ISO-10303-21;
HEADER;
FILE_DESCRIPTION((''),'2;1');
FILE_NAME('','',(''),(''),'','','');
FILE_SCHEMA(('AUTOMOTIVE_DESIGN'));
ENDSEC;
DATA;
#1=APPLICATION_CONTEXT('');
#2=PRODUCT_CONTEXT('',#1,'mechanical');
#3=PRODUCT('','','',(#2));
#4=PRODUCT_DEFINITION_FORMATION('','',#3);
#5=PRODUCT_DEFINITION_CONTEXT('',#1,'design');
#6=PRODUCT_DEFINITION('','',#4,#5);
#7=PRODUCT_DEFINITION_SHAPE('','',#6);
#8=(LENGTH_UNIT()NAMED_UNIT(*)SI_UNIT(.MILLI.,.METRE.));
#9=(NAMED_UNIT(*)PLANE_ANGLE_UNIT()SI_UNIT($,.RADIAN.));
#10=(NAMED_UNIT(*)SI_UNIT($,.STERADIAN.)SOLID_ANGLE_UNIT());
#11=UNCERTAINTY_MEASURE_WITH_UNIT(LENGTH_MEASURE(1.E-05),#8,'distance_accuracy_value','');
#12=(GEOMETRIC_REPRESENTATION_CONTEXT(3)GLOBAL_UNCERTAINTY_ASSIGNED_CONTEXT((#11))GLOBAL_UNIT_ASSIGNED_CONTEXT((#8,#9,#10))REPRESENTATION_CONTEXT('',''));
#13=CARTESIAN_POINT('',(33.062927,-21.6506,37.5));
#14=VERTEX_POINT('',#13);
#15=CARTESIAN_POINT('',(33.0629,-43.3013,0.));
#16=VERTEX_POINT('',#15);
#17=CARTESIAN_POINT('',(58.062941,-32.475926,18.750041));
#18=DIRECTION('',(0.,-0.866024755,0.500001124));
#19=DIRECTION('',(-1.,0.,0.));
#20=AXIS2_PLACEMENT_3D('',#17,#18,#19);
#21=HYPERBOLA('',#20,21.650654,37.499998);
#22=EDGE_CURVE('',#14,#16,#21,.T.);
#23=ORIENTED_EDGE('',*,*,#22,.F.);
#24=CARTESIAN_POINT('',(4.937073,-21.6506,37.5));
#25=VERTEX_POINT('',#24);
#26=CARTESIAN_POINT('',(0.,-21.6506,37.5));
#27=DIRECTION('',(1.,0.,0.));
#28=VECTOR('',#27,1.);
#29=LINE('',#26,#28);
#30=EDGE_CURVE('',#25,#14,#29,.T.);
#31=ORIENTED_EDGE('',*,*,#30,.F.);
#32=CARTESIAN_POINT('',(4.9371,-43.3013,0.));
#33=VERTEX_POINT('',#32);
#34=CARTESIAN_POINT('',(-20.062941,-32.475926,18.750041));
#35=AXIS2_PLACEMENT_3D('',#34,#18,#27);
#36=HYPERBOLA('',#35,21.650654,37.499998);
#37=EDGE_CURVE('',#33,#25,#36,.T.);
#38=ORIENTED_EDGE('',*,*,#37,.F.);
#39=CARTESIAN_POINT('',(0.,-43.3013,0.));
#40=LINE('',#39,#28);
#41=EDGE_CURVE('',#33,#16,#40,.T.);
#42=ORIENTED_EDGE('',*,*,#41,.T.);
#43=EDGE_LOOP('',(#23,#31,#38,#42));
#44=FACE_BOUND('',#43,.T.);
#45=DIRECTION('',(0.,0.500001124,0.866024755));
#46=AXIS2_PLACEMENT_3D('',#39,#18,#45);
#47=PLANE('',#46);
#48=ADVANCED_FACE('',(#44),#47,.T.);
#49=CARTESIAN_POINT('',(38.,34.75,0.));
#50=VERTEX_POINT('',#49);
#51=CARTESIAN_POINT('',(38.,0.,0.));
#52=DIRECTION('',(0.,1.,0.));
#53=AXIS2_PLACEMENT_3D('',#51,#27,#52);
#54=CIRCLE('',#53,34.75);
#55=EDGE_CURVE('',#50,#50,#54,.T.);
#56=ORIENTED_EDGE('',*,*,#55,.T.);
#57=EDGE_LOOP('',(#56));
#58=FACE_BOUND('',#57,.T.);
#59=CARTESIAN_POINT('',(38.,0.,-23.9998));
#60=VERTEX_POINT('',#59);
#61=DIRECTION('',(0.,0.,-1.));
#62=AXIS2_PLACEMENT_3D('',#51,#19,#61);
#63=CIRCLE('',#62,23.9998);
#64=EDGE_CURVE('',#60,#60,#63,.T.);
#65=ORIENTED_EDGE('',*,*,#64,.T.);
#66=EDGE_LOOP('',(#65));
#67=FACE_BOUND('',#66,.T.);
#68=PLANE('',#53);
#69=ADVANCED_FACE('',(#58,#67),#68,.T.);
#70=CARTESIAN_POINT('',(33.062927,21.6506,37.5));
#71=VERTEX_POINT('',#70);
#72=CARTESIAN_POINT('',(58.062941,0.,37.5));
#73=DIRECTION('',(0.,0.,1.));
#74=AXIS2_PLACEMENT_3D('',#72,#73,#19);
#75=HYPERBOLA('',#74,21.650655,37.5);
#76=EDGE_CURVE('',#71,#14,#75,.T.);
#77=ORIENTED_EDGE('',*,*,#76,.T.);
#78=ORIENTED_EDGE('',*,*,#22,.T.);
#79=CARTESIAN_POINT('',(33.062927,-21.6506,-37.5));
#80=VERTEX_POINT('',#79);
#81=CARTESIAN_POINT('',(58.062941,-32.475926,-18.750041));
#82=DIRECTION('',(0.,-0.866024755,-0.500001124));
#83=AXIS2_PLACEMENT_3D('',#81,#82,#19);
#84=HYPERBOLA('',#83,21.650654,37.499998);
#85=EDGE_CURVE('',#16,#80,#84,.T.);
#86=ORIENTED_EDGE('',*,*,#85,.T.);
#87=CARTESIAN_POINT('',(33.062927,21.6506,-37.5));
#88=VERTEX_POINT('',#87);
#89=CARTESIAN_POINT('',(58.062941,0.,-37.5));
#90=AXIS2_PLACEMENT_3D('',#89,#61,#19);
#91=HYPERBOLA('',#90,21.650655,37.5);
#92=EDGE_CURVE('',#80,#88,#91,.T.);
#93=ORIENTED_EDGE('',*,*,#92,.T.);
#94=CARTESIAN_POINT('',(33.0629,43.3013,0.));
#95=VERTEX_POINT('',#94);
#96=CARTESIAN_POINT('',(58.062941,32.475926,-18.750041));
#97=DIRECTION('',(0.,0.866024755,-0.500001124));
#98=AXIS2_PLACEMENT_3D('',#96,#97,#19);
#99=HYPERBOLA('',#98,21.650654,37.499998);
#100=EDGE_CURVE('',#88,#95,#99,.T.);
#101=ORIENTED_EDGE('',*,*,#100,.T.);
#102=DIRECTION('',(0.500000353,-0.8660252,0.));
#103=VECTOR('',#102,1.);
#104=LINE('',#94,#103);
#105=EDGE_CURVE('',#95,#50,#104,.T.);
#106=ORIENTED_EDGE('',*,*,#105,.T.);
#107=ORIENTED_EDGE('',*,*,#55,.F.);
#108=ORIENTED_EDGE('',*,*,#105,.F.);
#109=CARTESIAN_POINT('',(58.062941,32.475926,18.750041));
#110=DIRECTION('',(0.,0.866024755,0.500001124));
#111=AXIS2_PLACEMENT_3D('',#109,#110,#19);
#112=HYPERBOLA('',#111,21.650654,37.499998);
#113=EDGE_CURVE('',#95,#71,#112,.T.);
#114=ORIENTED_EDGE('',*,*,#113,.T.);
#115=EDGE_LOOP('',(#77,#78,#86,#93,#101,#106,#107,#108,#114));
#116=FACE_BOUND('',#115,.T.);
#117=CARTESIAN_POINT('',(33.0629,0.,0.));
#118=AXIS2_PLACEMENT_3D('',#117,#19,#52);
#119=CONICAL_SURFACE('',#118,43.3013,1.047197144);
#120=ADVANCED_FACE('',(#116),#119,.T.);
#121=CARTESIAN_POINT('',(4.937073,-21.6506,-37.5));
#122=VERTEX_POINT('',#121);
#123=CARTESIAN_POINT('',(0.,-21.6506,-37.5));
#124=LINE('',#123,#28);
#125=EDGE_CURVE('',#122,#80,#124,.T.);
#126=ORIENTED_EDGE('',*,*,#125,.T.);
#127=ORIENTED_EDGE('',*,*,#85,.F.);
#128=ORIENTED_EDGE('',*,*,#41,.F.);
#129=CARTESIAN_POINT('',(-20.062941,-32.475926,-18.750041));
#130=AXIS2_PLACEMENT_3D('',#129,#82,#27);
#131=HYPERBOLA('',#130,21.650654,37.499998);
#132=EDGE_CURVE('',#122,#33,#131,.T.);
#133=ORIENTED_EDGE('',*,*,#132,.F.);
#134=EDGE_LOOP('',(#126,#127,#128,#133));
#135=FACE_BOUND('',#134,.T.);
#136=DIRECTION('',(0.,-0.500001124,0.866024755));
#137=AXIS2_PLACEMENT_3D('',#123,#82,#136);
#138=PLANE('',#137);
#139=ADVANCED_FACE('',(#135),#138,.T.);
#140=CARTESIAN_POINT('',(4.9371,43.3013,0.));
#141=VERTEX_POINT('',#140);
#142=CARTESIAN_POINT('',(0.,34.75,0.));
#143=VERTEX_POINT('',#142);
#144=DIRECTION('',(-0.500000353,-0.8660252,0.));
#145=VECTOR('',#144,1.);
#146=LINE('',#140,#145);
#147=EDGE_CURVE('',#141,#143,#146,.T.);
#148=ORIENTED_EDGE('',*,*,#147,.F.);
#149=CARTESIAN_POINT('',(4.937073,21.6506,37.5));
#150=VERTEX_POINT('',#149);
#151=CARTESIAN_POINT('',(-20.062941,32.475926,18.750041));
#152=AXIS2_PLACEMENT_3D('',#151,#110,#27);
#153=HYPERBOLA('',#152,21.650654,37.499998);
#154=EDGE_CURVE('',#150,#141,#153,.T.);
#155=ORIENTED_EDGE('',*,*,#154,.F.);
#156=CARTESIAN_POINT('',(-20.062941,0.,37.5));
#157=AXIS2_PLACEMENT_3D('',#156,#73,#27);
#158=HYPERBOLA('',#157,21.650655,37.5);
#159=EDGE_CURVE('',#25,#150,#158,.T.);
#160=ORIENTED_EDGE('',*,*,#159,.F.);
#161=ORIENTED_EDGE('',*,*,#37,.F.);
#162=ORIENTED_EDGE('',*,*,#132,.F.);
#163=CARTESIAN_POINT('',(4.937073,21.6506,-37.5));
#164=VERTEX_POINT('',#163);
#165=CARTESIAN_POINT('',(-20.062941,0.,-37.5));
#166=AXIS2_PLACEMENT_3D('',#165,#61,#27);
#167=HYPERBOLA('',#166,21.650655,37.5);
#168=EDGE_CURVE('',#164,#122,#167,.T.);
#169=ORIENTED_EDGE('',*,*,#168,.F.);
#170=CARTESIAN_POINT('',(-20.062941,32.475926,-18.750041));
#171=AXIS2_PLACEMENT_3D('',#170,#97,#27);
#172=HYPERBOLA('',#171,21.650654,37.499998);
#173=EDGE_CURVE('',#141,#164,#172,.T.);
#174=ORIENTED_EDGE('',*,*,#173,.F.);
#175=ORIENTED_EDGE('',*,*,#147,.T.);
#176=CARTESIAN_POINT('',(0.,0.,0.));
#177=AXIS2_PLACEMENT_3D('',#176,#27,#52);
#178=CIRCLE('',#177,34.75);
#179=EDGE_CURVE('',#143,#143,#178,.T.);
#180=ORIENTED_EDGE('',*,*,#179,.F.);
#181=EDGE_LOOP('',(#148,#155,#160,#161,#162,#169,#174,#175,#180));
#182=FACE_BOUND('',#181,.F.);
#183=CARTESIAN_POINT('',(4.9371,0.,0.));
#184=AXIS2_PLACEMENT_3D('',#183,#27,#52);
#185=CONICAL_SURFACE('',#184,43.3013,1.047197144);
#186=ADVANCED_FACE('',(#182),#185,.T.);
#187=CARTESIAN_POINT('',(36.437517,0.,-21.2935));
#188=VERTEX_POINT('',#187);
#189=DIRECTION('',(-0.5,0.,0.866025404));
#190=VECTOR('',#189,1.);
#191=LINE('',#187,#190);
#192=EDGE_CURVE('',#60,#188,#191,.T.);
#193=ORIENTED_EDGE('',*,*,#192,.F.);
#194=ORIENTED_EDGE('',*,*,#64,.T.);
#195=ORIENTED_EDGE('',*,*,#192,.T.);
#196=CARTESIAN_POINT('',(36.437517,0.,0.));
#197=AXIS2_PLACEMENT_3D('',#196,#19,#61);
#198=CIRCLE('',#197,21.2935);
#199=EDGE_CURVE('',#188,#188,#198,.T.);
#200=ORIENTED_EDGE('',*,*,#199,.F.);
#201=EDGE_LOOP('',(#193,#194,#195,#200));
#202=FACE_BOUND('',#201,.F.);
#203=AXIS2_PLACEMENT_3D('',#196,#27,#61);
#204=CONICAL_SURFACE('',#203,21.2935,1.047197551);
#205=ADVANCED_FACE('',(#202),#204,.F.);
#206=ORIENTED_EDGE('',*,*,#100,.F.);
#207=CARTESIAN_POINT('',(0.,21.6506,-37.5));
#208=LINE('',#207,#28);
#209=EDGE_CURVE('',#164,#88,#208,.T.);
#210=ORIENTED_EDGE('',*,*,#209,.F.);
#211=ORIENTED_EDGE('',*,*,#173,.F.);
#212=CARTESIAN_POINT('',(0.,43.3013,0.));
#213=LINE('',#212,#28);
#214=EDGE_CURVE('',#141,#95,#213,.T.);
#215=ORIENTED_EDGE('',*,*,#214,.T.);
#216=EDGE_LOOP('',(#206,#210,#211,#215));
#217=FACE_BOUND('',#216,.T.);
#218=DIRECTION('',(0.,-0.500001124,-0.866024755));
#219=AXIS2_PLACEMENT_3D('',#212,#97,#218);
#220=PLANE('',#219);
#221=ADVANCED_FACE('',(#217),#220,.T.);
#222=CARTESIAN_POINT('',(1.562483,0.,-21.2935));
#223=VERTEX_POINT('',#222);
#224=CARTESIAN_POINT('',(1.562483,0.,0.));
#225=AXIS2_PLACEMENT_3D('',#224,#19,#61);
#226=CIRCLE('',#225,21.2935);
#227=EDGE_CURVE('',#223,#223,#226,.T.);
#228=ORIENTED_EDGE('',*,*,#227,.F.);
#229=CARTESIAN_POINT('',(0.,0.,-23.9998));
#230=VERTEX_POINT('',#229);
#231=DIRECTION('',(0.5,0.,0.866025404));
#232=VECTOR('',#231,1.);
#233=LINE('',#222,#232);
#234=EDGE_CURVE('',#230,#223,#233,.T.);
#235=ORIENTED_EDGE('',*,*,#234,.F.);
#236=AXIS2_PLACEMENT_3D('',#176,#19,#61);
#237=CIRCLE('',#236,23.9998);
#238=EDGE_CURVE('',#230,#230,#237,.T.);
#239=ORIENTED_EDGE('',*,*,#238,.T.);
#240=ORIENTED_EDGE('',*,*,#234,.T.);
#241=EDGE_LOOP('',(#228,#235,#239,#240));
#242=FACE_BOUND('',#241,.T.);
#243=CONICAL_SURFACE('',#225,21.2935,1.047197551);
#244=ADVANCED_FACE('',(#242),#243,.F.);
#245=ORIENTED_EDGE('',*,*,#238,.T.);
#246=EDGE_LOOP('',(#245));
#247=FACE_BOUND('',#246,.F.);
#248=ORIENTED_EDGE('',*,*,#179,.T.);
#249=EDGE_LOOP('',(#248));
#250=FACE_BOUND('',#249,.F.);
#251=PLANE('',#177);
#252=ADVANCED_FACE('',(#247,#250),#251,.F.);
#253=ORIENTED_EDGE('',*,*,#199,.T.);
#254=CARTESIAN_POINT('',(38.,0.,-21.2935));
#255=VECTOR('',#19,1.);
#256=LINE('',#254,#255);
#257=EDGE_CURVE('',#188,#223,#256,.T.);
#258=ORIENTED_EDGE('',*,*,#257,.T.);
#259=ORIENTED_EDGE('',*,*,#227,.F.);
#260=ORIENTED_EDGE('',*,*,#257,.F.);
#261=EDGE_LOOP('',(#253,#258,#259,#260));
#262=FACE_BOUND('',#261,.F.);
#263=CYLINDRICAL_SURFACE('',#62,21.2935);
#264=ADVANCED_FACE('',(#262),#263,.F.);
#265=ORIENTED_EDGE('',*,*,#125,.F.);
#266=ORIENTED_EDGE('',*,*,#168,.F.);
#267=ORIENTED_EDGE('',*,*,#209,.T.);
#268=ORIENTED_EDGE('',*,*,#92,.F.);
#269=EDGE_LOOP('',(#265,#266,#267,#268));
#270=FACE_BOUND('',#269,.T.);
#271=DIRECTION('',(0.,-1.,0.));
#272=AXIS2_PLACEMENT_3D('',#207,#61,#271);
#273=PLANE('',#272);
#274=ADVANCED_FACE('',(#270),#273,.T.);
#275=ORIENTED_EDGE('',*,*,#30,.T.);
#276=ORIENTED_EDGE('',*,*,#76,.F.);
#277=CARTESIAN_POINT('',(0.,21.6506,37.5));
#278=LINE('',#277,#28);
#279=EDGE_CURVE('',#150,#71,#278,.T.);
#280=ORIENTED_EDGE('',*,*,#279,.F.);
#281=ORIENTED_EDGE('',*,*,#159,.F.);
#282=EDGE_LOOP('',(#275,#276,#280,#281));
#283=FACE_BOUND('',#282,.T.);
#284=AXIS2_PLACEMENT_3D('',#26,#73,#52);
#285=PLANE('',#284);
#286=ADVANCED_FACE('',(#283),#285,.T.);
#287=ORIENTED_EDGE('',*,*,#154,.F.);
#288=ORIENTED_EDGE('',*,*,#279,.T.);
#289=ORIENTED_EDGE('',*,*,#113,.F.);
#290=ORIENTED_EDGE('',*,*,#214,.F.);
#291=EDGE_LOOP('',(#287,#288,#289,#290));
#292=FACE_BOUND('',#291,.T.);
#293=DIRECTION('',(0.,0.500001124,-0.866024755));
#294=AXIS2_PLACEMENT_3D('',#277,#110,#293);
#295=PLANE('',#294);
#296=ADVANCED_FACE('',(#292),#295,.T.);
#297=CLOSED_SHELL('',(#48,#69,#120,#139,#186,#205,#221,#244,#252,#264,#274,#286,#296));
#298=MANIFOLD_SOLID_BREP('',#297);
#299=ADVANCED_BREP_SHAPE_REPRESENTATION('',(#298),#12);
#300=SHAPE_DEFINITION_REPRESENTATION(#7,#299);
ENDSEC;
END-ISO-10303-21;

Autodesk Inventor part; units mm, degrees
ref_plane "YZ Plane" through (0, 0, 0) normal (1, 0, 0) x (0, 1, 0)
ref_plane "XZ Plane" through (0, 0, 0) normal (0, 1, 0) x (-1, 0, 0)
sketch "Sketch1" plane through (0, 0, 0) normal (1, 0, 0) x (0, 1, 0)
  line L0 (-43.3013, 0) -> (-21.6506, 37.5)
  line L1 (-21.6506, 37.5) -> (21.6506, 37.5)
  line L2 (21.6506, 37.5) -> (43.3013, 0)
  line L3 (43.3013, 0) -> (21.6506, -37.5)
  line L4 (21.6506, -37.5) -> (-21.6506, -37.5)
  line L5 (-21.6506, -37.5) -> (-43.3013, 0)
  point P0 (0, 0)
  point P1 (0, 0)
  dimension "d0" = 86.6025
extrude "Body" add sketch "Sketch1" along normal blind 38
sketch "Sketch2" plane through (0, 0, 0) normal (0, 0, 1) x (1, 0, 0)
  line L0 (0, 21.6506) -> (0, 43.3013) projected
  line L1 (0, 43.3013) -> (38, 43.3013) projected
  line L2 (38, 21.6506) -> (38, 43.3013) projected
  line L3 (-7.6, 0) -> (45.6, 0) projected
  line L4 (4.9371, 43.3013) -> (0, 34.75)
  line L5 (33.0629, 43.3013) -> (38, 34.75)
  dimension "d3" = 30
  dimension "d4" = 30
  dimension "d5" = 69.5
  dimension "d6" = 69.5
revolve "Chamfer1" cut sketch "Sketch2" angle 360 about axis through (-10, 0, 0) along (1, 0, 0)
sketch "Sketch3" plane through (38, 0, 0) normal (1, 0, 0) x (0, 0, -1)
  arc A0 (-0.625, -1.0825) -> (0.625, -1.0825) centre (0, 0) ccw projected
hole "Thread" at (38, 0, 0) direction (-1, 0, 0) diameter 42.587 end through all thread size "M48x5" class "6H" standard "ISO Metric profile"
chamfer "Chamfer2" distance 2.7063 angle 30 1 edges at (38, 0, 21.2935) measured on face at (38, -30.0561, 0.8555)
chamfer "Chamfer3" distance 2.7063 angle 30 1 edges at (0, 0, 21.2935) measured on face at (0, -30.0561, 0.8555)
ref_plane "Work Plane1" through (-83.5543, 0, 0) normal (0, -0.866, -0.5) x (1, 0, 0)
equation "\"d0\" = 1.1547 * SW"
equation "\"d1\" = KOH"
equation "\"d8\" = -0.5 * GD1 + 0.5 * NND"
equation "\"d40\" = -0.5 * GD1 + 0.5 * NND"
equation "\"d10\" = -0.5 * GD1 + 0.5 * NND"
equation "\"d41\" = -0.5 * GD1 + 0.5 * NND"
equation "\"d3\" = ANG1"
equation "\"d4\" = ANG2"
equation "\"d5\" = SW0"
equation "\"d6\" = SW01"
equation "\"ANG1\" = 30deg"
equation "\"ANG2\" = 30deg"
equation "\"NND\" = 48"
equation "\"KOH\" = 38"
equation "\"SW\" = 75"
equation "\"SW0\" = 69.5"
equation "\"SW01\" = 69.5"
equation "\"GUL\" = 0.541266 * PTC"
equation "\"THREADDIA\" = 48"
equation "\"TOA\" = 30deg"
equation "\"PTC\" = 5"
equation "\"E0\" = 1.155 * SW"
equation "\"GAL\" = 0.541266 * PTC"
equation "\"GD1\" = 42.587341"
properties part number "DIN 555-5 - M48" material "Steel, Mild"
